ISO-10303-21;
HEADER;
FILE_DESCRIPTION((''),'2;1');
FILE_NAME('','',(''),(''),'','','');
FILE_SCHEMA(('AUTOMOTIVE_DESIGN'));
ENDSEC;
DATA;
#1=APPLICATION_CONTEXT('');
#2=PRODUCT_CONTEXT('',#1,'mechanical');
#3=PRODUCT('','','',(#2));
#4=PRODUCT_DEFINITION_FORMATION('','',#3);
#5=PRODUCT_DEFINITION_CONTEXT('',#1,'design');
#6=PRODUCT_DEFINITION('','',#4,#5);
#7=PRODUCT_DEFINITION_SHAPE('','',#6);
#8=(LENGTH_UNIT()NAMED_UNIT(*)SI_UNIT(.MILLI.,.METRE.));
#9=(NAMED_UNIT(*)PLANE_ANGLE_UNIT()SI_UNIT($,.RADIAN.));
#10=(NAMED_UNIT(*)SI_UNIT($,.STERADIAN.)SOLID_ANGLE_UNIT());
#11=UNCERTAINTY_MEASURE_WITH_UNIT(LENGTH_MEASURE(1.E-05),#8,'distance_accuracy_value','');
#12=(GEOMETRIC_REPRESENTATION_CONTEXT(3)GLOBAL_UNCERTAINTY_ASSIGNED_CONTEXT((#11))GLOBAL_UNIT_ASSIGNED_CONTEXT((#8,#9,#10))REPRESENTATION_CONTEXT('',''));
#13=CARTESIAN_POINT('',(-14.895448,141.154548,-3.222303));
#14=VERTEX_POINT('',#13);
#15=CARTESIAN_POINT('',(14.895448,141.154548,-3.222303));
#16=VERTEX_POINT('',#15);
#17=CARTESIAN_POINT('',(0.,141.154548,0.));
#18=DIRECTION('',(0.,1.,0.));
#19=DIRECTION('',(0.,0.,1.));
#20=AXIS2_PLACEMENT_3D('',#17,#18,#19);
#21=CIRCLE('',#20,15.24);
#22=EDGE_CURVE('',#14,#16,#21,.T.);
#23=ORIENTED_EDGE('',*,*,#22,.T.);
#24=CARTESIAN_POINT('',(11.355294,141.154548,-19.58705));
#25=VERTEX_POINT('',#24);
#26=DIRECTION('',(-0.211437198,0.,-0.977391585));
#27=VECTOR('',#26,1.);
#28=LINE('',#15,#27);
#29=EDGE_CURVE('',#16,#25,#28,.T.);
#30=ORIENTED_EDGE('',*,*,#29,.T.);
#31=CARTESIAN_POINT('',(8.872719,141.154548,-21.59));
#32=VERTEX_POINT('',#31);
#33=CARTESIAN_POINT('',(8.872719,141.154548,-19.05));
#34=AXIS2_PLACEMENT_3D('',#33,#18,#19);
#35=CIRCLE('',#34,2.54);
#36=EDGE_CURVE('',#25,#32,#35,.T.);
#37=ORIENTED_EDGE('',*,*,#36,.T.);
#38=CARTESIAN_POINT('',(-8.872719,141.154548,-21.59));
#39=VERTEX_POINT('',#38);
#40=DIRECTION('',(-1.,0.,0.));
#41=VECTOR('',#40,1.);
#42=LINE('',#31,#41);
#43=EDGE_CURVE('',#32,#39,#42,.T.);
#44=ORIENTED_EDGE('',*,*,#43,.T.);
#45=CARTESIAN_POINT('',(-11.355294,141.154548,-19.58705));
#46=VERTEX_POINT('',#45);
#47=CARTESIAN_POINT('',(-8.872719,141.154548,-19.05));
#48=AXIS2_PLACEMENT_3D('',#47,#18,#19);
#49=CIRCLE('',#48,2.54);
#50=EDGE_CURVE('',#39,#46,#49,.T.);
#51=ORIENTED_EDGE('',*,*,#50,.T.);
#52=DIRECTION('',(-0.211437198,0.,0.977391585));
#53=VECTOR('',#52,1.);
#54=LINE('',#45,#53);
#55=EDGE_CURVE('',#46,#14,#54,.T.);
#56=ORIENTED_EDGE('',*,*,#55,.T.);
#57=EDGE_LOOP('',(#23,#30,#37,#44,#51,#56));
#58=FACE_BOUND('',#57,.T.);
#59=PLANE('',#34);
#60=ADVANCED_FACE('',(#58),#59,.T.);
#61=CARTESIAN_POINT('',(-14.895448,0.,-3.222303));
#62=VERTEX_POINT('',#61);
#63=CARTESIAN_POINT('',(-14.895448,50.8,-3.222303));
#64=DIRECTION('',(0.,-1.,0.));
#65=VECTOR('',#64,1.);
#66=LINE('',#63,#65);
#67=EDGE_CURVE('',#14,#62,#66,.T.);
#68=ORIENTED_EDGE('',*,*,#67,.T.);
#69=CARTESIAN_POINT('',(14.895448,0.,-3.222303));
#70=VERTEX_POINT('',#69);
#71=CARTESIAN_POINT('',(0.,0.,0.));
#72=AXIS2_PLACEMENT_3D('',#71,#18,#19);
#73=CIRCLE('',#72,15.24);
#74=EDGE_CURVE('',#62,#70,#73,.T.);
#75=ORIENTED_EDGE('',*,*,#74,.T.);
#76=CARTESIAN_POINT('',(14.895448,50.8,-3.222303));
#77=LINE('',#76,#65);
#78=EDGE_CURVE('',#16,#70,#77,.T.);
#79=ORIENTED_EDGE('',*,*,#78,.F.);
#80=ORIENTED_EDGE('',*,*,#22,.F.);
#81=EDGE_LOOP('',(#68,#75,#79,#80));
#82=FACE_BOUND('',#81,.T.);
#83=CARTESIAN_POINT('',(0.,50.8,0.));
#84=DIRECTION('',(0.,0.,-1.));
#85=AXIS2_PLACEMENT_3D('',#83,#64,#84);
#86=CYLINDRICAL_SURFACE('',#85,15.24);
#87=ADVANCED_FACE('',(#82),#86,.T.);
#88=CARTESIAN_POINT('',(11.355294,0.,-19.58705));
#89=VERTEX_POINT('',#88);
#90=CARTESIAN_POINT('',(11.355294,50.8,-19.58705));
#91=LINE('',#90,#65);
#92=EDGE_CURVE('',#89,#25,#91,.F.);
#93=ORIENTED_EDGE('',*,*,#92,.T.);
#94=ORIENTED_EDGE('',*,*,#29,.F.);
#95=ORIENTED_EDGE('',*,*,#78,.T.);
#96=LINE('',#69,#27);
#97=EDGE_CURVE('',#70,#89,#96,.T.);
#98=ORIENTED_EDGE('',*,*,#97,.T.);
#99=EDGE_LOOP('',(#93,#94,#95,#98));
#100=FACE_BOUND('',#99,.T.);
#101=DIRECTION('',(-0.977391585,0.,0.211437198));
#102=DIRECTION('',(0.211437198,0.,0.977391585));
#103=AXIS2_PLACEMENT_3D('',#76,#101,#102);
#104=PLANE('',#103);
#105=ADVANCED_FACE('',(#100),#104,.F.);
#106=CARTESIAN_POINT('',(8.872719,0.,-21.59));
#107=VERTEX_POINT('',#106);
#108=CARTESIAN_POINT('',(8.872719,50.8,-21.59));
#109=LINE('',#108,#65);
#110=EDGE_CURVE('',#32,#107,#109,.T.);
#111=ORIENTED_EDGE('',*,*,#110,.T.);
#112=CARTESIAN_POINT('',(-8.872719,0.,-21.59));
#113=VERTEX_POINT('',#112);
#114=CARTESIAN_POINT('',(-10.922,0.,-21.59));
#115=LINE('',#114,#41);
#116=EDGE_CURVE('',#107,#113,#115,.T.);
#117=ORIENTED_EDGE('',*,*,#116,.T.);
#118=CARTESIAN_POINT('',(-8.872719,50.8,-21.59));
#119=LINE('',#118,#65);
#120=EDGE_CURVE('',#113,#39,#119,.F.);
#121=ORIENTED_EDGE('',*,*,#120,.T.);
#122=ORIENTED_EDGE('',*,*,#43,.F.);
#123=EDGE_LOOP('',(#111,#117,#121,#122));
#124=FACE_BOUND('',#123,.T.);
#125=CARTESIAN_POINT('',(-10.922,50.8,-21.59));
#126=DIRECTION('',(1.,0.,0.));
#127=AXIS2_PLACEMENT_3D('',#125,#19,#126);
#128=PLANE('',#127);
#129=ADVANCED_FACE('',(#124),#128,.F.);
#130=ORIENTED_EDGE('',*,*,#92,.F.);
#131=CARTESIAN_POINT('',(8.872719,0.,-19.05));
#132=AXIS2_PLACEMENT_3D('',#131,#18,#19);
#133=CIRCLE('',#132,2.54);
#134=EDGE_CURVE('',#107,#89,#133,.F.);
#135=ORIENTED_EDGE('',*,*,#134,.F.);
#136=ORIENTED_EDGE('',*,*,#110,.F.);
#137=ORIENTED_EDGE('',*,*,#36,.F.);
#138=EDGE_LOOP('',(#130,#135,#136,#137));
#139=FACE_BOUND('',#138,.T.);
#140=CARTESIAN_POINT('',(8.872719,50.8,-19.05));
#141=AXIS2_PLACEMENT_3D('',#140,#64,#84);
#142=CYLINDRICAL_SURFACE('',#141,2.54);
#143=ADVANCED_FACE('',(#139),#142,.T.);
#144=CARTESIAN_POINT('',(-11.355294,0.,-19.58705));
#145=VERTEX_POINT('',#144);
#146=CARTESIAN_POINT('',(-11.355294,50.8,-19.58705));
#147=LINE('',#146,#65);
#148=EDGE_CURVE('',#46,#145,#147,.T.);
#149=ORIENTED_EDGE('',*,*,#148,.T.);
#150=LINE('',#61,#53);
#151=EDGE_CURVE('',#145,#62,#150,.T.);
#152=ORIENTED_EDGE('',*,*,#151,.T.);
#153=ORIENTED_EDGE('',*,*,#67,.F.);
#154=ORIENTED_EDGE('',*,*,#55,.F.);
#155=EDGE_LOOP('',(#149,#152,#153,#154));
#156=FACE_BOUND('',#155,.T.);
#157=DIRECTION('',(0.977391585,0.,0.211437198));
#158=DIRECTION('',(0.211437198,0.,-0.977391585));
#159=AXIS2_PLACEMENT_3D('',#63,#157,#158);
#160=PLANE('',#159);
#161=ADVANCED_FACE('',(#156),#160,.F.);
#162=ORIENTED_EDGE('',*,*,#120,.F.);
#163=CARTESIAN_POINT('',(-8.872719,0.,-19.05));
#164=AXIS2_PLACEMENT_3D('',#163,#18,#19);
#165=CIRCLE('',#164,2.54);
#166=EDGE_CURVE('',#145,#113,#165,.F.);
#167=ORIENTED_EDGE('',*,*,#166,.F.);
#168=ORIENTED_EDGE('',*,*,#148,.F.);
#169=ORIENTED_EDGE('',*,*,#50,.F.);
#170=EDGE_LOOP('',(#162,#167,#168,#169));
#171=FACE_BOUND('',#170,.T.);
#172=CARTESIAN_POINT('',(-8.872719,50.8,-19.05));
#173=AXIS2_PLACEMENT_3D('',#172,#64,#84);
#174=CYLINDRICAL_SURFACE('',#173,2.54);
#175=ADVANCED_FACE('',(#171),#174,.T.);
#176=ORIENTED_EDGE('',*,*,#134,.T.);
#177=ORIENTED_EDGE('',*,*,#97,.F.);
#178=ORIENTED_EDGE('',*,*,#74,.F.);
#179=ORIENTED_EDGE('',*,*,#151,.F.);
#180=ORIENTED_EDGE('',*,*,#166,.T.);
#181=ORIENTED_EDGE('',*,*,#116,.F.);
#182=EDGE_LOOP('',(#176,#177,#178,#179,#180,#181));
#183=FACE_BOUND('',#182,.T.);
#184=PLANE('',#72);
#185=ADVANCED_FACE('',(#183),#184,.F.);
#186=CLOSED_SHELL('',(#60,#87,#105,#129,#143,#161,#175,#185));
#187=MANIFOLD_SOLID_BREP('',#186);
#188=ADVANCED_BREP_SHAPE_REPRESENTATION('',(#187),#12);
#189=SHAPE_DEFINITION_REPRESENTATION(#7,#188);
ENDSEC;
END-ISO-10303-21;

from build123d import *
from build123d.topology import SkipClean

# Parameters (mm, degrees)
EXTRUDE1_DEPTH = 50.8
FILLET1_R      = 2.54
EXTRUDE2_DEPTH = 90.354547646


with BuildPart() as part:
    # Sketch5 → Extrude1 (new body)
    with BuildSketch(Plane(origin=(0, 0, 0), x_dir=(1, 0, 0), z_dir=(0, 1, 0))):
        with BuildLine():
            Line((-10.922, 21.59), (10.922, 21.59))
            Line((10.922, 21.59), (14.895447762, 3.222302897))
            ThreePointArc((14.895447762, 3.222302897), (0, -15.24), (-14.895447762, 3.222302897))
            Line((-14.895447762, 3.222302897), (-10.922, 21.59))
        make_face()
    extrude(amount=EXTRUDE1_DEPTH)

    # Fillet1
    fillet1_edges = [part.edges().sort_by_distance(p)[0] for p in [
        (-10.922, 25.4, -21.59),
        (10.922, 25.4, -21.59),
    ]]
    fillet(fillet1_edges, radius=FILLET1_R)

    # Sketch10 → Extrude2 (add)
    with SkipClean():  # the faces are left unmerged after this step: merging them gives an invalid solid
        with BuildSketch(Plane(origin=(0, 50.8, 0), x_dir=(1, 0, 0), z_dir=(0, 1, 0))):
            with BuildLine():
                Line((8.8727195, 21.59), (-8.8727195, 21.59))
                ThreePointArc((-8.8727195, 21.59), (-10.467632001, 21.026829308), (-11.355294127, 19.587050483))
                Line((-11.355294127, 19.587050483), (-14.895447762, 3.222302897))
                ThreePointArc((-14.895447762, 3.222302897), (0, -15.24), (14.895447762, 3.222302897))
                Line((14.895447762, 3.222302897), (11.355294127, 19.587050483))
                ThreePointArc((11.355294127, 19.587050483), (10.467632001, 21.026829308), (8.8727195, 21.59))
            make_face()
        extrude(amount=EXTRUDE2_DEPTH)


solid = part.part
